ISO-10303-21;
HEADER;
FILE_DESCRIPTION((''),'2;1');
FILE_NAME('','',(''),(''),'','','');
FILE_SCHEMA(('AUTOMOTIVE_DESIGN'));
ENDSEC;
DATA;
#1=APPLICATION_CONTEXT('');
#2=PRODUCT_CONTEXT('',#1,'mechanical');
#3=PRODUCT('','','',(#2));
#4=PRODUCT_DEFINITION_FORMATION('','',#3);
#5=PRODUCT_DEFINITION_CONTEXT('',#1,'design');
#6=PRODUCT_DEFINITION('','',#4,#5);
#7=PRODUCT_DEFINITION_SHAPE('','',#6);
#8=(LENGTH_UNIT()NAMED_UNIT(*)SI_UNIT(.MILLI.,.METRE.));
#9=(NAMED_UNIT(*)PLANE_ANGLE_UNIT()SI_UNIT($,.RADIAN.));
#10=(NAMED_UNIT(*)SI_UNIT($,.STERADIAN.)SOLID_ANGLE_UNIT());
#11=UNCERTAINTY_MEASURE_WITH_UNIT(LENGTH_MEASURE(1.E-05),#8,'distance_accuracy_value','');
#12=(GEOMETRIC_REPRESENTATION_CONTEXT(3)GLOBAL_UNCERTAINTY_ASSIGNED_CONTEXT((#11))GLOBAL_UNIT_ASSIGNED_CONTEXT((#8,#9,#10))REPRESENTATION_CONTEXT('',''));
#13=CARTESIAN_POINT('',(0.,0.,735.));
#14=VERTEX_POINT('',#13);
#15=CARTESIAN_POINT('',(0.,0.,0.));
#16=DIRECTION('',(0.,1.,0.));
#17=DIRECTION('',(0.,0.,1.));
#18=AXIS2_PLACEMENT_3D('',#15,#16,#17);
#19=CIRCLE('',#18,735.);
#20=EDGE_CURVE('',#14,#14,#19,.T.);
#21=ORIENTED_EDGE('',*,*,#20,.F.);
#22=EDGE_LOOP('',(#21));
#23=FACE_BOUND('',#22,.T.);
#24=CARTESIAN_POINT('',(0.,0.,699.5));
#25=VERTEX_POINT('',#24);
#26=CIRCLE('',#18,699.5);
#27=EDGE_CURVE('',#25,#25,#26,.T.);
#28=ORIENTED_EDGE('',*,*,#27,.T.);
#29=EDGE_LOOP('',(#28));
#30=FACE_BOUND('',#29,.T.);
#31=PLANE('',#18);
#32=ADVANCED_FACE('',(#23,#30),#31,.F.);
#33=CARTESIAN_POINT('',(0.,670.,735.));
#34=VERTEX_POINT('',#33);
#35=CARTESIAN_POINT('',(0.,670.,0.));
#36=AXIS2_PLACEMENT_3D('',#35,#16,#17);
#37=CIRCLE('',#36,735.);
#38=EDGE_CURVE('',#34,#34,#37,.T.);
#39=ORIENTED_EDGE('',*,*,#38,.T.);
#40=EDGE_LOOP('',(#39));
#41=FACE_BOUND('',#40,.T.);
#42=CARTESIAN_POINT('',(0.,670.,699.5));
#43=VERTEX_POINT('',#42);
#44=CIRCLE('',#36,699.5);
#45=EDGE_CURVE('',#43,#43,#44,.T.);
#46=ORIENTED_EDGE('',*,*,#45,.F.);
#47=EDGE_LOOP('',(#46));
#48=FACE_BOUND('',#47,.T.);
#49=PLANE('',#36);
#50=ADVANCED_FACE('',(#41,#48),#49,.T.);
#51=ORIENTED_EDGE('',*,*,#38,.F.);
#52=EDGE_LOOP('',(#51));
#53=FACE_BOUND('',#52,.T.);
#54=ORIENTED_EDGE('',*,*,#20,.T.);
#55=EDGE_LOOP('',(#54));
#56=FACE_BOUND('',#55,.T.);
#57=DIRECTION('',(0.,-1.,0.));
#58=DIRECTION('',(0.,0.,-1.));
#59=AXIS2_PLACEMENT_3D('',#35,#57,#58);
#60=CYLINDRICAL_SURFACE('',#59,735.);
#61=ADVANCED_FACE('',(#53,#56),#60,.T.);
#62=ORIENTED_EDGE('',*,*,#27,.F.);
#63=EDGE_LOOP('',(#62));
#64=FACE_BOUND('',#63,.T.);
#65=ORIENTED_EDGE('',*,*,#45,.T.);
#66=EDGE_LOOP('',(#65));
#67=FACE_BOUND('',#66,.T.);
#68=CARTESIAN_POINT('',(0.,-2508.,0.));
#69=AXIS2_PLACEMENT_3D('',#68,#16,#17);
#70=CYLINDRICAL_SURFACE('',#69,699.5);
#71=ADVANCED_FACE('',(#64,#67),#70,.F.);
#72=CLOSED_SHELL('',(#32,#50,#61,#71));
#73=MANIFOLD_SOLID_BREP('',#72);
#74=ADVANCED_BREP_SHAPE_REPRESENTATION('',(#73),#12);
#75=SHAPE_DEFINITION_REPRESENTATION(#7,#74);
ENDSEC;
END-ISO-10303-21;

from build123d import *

# Parameters (mm, degrees)
SKETCH_1_R          = 735
EXTRUDE_1_DEPTH     = 670
SKETCH_2_R          = 699.5
CUT_EXTRUDE_1_DEPTH = 3178


with BuildPart() as part:
    # 草图1 → 凸台-拉伸1 (new body)
    with BuildSketch(Plane(origin=(0, 0, 0), x_dir=(1, 0, 0), z_dir=(0, 1, 0))):
        Circle(SKETCH_1_R)
    extrude(amount=EXTRUDE_1_DEPTH)

    # 草图2 → 切除-拉伸1 (cut)
    with BuildSketch(Plane(origin=(0, 670, 0), x_dir=(1, 0, 0), z_dir=(0, 1, 0))):
        Circle(SKETCH_2_R)
    extrude(amount=-CUT_EXTRUDE_1_DEPTH, mode=Mode.SUBTRACT)


solid = part.part
